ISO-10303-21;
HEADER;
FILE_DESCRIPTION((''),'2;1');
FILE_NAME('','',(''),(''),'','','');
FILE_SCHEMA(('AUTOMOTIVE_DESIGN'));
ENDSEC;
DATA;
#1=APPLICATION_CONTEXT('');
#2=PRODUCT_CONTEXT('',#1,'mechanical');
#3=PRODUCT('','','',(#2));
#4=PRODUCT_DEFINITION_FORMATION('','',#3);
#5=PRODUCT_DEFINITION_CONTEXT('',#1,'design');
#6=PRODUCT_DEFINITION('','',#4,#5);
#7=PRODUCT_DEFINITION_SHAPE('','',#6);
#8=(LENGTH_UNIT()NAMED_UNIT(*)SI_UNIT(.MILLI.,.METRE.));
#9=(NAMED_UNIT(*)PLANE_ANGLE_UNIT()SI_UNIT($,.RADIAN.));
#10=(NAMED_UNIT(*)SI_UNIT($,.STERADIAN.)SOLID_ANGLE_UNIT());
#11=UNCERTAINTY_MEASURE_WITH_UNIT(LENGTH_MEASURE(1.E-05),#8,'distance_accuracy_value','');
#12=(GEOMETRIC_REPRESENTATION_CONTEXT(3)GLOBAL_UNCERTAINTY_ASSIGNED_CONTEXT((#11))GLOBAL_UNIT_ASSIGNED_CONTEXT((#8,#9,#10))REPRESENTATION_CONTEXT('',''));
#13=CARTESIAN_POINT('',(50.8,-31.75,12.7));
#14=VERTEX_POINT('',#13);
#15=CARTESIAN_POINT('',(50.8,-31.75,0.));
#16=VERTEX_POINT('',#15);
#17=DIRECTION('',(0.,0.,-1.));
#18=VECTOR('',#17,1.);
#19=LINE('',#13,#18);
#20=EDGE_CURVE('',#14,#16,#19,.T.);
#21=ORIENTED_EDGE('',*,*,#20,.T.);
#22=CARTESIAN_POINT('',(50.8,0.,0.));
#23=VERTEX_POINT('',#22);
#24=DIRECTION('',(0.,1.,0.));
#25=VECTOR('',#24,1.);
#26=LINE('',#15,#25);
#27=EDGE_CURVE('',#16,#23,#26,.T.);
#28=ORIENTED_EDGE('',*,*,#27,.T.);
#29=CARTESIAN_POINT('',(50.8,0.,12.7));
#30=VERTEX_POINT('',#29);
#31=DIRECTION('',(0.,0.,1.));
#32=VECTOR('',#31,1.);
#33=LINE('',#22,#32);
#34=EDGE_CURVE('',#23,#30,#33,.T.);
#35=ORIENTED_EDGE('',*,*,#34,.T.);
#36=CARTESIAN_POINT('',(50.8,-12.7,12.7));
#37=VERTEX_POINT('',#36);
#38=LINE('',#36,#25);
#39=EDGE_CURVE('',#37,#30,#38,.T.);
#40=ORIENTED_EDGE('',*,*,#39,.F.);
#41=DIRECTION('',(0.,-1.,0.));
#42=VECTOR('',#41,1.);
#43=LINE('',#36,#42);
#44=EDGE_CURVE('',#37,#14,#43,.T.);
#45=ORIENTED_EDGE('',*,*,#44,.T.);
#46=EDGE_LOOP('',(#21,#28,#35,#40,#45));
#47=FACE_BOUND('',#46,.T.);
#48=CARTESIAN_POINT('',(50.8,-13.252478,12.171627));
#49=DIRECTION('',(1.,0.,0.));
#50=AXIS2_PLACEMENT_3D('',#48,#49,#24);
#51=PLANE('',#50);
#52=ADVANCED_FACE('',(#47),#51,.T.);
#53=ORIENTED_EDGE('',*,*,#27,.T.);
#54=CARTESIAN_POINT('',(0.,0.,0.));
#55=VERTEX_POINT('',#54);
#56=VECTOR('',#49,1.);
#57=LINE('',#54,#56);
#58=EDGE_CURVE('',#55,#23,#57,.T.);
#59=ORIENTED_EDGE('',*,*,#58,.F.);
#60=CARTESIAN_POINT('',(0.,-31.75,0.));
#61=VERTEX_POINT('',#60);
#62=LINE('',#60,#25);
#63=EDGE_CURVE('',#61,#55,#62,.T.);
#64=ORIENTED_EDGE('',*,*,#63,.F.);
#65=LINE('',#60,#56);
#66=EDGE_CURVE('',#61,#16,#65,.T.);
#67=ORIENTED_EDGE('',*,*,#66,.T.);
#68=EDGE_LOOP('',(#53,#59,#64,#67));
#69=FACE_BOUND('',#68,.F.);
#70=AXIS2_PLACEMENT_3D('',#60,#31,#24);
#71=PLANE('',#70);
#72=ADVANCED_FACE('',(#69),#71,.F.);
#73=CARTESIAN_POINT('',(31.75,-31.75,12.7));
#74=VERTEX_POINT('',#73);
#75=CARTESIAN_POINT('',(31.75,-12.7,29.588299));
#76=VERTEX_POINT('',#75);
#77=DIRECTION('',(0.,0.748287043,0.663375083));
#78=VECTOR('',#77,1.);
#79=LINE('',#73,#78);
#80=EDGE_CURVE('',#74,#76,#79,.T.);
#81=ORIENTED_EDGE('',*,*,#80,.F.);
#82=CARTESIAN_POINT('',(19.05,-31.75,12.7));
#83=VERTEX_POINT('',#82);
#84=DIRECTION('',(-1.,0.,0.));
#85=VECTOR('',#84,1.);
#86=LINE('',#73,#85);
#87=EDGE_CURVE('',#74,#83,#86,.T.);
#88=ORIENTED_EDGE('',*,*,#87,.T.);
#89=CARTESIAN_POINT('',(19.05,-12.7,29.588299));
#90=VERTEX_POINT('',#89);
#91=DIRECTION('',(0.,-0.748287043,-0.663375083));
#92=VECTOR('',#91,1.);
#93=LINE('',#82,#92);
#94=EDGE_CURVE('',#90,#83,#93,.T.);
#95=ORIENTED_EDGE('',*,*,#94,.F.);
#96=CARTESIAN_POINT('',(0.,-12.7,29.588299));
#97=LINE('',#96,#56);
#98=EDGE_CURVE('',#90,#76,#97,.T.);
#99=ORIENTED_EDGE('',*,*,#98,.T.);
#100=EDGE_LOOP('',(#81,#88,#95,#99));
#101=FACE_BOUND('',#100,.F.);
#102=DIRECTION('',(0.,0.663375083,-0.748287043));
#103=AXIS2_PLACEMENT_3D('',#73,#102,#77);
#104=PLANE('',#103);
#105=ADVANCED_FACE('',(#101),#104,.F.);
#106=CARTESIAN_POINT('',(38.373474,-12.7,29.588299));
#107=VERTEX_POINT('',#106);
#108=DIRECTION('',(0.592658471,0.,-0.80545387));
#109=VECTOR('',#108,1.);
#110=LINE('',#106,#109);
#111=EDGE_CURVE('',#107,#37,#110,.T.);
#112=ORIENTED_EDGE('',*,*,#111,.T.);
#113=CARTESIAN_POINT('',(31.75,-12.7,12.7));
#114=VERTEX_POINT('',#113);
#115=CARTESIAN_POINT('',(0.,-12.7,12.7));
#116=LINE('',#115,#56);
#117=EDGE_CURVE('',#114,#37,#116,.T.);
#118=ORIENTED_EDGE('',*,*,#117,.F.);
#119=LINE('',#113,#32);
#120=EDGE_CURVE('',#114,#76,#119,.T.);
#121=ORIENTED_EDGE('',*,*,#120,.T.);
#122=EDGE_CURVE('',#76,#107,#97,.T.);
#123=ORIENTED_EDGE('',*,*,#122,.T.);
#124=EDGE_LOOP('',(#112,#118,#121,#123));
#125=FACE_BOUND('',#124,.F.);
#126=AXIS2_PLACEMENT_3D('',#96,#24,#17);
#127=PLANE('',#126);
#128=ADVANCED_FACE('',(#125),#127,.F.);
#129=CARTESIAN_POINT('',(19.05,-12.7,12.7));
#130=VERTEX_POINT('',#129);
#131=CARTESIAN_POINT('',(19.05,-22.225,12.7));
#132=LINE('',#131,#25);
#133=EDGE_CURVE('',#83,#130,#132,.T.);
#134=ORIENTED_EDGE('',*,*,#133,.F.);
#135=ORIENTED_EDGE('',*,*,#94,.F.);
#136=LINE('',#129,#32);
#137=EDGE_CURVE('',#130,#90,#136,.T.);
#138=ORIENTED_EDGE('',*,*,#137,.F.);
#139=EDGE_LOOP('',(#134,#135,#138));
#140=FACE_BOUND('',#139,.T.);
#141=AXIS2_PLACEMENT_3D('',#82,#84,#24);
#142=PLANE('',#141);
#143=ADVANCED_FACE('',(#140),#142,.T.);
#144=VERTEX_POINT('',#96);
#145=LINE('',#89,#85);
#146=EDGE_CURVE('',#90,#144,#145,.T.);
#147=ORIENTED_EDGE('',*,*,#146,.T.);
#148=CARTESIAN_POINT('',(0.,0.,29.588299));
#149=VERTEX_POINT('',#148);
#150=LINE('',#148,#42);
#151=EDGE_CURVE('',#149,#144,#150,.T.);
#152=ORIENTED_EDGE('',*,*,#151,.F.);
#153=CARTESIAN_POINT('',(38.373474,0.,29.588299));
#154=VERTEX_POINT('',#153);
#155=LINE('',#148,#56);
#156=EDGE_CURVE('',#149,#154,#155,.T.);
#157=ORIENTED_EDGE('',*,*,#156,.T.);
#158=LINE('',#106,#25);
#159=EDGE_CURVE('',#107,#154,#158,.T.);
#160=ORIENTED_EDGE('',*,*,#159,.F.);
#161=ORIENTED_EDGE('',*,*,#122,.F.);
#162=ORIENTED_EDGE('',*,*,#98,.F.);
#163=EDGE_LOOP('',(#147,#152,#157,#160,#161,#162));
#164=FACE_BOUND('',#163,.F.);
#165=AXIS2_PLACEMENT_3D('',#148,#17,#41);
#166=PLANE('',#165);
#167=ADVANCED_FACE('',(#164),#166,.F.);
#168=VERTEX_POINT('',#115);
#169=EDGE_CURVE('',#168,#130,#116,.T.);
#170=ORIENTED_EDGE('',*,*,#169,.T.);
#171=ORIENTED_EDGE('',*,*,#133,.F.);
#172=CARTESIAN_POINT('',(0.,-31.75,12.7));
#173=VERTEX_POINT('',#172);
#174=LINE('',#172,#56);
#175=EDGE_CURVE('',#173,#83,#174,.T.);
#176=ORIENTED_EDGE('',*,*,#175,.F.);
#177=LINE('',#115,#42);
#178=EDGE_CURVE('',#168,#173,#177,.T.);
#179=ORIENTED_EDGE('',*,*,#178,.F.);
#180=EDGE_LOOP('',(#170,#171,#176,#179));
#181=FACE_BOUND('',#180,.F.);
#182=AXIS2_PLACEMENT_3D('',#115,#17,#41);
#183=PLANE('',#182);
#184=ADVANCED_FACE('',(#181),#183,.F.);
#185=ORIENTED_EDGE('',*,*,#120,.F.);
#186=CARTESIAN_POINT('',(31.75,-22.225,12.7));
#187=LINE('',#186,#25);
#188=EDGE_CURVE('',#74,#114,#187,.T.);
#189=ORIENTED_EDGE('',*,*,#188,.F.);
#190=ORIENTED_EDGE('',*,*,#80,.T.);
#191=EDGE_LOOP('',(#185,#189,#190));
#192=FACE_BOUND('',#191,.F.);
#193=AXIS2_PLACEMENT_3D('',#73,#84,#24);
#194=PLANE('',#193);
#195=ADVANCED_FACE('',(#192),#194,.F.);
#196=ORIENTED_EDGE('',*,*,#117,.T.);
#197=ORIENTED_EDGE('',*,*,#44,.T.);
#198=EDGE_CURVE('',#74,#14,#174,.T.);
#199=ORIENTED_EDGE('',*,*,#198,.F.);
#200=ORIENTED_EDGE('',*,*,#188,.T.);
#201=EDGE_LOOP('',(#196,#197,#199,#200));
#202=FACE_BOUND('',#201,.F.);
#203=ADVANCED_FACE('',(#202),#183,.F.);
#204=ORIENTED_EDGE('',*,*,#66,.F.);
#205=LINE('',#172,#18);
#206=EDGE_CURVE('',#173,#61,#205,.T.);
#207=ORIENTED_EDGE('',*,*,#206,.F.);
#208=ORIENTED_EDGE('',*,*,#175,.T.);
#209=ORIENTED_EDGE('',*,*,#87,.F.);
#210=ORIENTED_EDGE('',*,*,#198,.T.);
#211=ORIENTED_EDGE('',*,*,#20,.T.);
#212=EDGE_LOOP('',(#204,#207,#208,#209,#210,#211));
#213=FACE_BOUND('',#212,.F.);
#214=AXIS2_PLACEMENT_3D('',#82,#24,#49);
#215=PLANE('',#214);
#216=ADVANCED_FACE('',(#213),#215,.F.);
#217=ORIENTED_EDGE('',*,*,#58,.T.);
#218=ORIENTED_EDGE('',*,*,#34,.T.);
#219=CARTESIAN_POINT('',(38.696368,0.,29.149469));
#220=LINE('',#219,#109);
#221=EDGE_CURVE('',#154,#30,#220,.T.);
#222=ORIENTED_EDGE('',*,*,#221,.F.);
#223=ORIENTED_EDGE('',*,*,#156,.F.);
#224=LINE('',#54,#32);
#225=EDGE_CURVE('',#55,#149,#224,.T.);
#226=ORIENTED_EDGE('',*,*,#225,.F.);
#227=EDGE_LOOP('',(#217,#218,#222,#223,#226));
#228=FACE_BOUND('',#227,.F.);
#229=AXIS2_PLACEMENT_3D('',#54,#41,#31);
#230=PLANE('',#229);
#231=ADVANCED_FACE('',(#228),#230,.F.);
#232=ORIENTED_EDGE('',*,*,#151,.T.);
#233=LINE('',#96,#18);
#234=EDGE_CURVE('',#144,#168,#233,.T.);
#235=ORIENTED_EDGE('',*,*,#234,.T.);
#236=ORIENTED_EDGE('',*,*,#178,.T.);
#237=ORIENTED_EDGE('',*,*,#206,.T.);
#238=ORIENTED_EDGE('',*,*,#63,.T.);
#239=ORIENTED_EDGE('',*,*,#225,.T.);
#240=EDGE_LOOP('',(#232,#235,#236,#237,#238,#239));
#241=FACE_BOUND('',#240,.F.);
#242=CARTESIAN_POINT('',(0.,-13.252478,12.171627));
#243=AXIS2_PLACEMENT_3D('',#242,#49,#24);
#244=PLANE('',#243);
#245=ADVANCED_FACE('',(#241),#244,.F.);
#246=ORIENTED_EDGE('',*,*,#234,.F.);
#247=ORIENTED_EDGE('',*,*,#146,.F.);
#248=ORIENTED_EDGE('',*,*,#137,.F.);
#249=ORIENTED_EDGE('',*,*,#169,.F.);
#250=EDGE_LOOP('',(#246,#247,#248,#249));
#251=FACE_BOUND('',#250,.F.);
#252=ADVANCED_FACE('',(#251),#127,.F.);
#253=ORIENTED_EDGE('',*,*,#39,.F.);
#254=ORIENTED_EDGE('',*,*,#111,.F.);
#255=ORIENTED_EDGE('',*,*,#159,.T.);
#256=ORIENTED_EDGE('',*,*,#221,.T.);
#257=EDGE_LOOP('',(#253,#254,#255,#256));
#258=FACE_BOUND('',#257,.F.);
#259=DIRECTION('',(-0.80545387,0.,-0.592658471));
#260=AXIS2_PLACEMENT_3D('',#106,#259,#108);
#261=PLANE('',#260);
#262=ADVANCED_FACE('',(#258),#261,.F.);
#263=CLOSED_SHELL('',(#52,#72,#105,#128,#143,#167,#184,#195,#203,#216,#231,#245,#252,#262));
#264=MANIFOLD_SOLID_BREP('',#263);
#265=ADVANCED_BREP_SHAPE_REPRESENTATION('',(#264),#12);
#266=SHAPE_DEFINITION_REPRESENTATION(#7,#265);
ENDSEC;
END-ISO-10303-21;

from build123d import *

# Parameters (mm, degrees)
F1_DEPTH = 50.8
F3_DEPTH = 25.4
F4_W     = 12.7
F4_H     = 19.05
F5_DEPTH = 17.018
F7_DEPTH = 25.4


with BuildPart() as f1:
    # F0 (on Right) → F1 (new body)
    with BuildSketch(Plane.YZ):
        Polygon((-31.75, 12.7), (-31.75, 0), (0, 0), (0, 29.588299), (-12.7, 29.588299), (-12.7, 12.7), align=None)
    extrude(amount=F1_DEPTH)

    # F2 (on face) → F3 (cut)
    with BuildSketch(Plane.XZ.offset(12.7)):
        Polygon((38.373474, 29.588299), (50.8, 12.7), (50.8, 29.588299), align=None)
    extrude(amount=-F3_DEPTH, mode=Mode.SUBTRACT)

    # F4 (on face) → F5 (join)
    with BuildSketch(Plane.XY.offset(12.7)):
        with Locations((25.4, -22.225)):
            Rectangle(F4_W, F4_H)
    extrude(amount=F5_DEPTH)

    # F6 (on face) → F7 (cut)
    with BuildSketch(Plane.YZ.offset(31.75)):
        Polygon((-31.75, 29.718), (-31.75, 12.7), (-12.7, 29.588299), (-12.7, 29.718), align=None)
    extrude(amount=-F7_DEPTH, mode=Mode.SUBTRACT)


solid = f1.part
